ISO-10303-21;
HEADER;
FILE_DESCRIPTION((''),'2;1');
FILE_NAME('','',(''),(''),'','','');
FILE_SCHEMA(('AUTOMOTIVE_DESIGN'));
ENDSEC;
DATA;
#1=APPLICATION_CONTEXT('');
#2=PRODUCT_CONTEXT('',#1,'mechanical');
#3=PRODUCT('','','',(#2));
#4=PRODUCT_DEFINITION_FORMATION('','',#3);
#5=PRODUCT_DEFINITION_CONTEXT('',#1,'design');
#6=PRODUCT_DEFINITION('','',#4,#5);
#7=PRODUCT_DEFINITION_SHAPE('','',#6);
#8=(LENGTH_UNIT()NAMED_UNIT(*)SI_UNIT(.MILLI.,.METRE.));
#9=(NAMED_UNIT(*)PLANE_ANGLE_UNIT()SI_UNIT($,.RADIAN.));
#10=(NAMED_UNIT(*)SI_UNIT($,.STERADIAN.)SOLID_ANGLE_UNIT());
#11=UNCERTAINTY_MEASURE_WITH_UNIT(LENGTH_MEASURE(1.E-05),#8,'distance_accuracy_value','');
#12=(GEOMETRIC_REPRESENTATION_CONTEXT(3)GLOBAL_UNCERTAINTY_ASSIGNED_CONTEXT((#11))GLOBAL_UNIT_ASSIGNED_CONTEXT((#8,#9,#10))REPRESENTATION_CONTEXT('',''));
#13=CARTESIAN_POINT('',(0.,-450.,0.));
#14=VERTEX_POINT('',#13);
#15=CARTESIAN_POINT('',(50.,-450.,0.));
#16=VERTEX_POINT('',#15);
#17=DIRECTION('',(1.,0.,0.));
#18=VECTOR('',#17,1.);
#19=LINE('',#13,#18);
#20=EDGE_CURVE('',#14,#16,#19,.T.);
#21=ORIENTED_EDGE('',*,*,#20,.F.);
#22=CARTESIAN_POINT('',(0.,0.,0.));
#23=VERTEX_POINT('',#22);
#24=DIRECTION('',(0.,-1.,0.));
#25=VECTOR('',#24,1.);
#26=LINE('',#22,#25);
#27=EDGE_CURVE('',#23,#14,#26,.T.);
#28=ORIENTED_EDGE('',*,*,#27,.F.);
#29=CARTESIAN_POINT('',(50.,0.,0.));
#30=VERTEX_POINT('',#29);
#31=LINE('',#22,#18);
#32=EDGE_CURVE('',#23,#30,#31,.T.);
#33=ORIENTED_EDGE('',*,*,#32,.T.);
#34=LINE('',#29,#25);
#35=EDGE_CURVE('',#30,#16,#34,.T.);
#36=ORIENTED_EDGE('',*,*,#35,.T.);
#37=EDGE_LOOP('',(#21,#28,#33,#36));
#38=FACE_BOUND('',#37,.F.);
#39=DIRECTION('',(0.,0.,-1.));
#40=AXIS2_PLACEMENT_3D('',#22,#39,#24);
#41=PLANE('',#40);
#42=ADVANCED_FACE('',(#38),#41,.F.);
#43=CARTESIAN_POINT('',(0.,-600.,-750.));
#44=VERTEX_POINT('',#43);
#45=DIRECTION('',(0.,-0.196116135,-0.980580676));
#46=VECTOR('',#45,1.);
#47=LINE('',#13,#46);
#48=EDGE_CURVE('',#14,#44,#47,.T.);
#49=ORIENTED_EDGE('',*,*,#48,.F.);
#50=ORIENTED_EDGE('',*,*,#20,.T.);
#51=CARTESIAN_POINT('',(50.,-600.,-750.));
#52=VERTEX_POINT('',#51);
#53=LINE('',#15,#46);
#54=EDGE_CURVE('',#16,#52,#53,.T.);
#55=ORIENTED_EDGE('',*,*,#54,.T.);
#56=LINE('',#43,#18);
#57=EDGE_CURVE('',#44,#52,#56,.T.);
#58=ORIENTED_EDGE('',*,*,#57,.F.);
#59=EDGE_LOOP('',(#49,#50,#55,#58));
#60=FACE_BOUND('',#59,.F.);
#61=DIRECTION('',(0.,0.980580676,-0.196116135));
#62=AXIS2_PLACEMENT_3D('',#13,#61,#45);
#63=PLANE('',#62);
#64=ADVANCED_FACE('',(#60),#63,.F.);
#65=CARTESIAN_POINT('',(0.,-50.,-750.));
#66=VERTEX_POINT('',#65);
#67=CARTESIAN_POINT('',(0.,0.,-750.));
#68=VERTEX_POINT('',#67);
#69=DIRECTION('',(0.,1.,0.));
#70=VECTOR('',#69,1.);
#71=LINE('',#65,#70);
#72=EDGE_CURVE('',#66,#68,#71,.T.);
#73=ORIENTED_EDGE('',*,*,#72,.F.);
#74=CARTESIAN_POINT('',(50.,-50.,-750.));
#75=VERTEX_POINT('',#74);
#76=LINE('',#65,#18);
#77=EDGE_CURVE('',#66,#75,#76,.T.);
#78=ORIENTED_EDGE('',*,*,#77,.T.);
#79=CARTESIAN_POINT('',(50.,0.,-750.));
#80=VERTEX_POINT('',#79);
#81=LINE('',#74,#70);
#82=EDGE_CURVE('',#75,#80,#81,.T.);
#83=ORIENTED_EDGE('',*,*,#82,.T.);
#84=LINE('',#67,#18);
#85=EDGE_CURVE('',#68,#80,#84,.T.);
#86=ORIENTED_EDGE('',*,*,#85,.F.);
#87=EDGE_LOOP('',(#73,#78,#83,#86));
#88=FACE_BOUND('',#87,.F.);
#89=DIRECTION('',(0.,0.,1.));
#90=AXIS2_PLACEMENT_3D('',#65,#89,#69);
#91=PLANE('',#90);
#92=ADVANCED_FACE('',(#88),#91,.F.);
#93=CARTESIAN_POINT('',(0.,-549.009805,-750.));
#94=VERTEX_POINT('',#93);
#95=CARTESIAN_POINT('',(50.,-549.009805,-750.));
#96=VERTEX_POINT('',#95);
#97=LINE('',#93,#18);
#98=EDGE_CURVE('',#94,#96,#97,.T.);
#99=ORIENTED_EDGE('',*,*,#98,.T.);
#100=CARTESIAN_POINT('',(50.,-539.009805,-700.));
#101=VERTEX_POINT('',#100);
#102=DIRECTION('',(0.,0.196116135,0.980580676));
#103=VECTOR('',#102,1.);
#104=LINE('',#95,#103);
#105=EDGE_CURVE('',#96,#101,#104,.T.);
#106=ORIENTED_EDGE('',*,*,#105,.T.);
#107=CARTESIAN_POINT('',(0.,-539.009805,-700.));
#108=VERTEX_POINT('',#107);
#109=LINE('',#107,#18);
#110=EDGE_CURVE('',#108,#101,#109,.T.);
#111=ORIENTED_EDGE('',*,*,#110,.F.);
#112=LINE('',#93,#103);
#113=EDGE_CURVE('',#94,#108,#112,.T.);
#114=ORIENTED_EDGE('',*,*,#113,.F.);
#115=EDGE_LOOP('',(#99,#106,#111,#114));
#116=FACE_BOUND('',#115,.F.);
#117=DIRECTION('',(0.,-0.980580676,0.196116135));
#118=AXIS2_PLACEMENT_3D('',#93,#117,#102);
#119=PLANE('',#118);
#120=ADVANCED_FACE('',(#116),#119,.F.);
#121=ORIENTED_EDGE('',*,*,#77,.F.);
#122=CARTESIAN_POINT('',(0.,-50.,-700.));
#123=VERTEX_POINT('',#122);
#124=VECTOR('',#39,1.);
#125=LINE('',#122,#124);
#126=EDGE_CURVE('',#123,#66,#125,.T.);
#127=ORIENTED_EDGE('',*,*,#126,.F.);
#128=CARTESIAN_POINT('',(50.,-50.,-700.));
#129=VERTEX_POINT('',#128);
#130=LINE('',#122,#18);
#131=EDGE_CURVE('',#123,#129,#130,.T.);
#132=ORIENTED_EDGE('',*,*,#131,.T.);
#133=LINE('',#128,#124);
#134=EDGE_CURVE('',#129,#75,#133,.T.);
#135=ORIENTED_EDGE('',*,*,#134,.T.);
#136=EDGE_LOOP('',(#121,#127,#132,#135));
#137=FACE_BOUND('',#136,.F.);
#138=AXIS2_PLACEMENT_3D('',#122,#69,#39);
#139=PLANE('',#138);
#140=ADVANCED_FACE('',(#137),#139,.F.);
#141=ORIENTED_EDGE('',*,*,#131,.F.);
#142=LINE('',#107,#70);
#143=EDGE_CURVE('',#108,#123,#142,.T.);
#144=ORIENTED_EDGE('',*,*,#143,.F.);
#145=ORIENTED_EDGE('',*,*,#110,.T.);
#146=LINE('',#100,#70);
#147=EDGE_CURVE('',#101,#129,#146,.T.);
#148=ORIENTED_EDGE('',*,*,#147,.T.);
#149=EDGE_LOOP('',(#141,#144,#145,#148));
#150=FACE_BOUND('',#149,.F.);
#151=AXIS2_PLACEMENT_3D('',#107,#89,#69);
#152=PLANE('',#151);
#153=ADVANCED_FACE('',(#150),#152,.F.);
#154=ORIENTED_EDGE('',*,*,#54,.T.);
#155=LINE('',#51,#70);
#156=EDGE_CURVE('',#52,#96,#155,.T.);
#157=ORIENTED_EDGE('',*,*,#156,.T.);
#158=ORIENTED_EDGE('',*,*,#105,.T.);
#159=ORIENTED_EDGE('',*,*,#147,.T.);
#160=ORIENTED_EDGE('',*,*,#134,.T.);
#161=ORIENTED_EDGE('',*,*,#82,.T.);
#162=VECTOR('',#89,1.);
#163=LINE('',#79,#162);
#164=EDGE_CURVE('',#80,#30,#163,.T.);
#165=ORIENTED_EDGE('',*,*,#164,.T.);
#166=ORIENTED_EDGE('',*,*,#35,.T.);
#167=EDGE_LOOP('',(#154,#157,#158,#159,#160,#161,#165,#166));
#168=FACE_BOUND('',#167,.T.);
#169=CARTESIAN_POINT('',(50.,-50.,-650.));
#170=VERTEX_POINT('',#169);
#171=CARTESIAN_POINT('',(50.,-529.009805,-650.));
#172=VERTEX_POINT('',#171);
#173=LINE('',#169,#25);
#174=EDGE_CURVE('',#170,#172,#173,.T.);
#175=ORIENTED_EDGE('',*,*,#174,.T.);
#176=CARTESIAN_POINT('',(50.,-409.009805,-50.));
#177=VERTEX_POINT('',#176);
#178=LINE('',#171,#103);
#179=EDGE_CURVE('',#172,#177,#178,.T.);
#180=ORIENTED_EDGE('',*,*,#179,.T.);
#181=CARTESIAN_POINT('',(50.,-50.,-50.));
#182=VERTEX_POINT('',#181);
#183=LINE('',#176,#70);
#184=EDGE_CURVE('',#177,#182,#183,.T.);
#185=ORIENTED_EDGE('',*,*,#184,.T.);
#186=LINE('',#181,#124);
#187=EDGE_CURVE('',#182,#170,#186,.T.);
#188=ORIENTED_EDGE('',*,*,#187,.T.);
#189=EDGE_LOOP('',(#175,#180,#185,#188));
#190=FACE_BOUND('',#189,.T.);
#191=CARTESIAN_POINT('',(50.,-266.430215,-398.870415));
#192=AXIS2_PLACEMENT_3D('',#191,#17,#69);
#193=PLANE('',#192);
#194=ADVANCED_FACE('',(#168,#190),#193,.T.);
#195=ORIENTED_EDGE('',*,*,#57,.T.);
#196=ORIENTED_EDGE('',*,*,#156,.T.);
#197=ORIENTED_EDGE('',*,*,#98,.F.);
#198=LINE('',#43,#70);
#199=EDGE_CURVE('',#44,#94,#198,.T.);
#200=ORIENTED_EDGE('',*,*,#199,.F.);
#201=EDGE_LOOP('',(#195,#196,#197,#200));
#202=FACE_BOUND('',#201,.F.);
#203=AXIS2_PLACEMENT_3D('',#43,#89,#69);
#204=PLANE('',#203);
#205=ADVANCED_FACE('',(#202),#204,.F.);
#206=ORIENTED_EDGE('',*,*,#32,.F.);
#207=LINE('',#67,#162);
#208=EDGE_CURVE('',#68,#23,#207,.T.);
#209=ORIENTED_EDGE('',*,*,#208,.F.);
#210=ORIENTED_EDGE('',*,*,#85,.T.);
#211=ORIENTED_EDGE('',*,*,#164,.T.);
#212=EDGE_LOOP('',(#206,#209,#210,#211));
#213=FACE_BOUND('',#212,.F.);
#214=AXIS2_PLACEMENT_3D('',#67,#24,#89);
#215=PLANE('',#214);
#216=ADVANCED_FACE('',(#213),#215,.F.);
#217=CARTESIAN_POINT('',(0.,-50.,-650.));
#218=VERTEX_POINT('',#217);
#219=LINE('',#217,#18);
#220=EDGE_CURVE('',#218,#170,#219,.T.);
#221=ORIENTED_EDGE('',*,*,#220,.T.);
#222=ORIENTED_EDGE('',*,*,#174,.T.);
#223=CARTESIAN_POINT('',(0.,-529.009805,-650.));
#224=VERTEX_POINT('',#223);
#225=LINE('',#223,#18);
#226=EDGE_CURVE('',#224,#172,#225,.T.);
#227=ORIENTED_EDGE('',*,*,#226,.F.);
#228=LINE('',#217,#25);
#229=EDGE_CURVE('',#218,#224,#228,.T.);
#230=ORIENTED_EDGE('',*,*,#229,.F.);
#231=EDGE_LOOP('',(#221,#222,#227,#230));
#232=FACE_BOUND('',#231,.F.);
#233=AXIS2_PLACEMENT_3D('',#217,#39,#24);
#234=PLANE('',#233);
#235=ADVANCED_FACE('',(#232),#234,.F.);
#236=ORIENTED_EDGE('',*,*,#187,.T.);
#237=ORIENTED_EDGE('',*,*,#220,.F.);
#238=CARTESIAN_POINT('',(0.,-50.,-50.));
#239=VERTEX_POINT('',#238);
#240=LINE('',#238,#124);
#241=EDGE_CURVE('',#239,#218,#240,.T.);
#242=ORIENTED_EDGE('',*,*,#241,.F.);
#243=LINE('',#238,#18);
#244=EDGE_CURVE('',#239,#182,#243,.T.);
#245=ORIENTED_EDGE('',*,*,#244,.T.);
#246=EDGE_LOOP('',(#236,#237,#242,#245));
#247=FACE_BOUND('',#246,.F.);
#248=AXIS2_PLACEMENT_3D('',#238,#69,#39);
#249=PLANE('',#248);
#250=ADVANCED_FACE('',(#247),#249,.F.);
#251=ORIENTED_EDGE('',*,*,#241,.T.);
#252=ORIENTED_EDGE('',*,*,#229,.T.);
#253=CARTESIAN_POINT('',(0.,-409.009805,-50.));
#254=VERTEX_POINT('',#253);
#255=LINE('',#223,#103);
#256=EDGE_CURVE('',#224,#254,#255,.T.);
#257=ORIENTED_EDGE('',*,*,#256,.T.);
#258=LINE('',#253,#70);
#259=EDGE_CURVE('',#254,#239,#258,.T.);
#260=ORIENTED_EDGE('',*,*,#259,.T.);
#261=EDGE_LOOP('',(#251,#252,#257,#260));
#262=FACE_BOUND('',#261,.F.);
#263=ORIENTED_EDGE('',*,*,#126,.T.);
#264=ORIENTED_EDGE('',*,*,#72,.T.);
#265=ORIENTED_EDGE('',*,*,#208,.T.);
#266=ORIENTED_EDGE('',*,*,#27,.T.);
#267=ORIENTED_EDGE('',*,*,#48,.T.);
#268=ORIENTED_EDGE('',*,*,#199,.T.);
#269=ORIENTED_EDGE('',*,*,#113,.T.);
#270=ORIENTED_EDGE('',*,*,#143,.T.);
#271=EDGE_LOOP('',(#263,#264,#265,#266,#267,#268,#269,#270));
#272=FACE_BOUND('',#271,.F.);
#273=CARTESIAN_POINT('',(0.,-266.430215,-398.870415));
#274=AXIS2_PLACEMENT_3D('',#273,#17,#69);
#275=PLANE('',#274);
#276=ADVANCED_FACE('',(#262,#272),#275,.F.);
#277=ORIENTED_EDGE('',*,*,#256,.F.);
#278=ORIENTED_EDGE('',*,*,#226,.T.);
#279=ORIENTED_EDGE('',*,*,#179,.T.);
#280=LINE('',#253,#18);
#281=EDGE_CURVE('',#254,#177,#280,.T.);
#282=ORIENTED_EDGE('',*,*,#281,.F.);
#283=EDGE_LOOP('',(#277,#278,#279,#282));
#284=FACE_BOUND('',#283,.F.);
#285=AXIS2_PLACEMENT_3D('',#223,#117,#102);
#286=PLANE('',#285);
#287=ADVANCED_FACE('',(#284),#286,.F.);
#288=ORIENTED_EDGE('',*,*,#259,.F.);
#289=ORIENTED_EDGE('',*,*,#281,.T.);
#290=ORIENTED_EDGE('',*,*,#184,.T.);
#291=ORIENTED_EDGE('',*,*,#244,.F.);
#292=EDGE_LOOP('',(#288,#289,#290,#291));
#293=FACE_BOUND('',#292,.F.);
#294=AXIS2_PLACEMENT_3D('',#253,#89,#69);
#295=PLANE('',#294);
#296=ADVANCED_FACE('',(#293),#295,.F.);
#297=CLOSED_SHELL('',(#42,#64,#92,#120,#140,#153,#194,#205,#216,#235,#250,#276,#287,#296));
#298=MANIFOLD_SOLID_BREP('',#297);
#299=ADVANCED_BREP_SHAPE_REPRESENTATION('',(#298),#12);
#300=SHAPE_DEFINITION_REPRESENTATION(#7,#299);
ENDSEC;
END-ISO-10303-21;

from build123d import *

# Parameters (mm, degrees)
F1_DEPTH = 50


with BuildPart() as f1:
    # F0 (on Right) → F1 (new body)
    with BuildSketch(Plane.YZ):
        Polygon((-50, -750), (0, -750), (0, 0), (-450, 0), (-600, -750), (-549.009805, -750), (-539.009805, -700), (-50, -700), align=None)
        Polygon((-50, -50), (-50, -650), (-529.009805, -650), (-409.009805, -50), align=None, mode=Mode.SUBTRACT)
    extrude(amount=F1_DEPTH)


solid = f1.part
